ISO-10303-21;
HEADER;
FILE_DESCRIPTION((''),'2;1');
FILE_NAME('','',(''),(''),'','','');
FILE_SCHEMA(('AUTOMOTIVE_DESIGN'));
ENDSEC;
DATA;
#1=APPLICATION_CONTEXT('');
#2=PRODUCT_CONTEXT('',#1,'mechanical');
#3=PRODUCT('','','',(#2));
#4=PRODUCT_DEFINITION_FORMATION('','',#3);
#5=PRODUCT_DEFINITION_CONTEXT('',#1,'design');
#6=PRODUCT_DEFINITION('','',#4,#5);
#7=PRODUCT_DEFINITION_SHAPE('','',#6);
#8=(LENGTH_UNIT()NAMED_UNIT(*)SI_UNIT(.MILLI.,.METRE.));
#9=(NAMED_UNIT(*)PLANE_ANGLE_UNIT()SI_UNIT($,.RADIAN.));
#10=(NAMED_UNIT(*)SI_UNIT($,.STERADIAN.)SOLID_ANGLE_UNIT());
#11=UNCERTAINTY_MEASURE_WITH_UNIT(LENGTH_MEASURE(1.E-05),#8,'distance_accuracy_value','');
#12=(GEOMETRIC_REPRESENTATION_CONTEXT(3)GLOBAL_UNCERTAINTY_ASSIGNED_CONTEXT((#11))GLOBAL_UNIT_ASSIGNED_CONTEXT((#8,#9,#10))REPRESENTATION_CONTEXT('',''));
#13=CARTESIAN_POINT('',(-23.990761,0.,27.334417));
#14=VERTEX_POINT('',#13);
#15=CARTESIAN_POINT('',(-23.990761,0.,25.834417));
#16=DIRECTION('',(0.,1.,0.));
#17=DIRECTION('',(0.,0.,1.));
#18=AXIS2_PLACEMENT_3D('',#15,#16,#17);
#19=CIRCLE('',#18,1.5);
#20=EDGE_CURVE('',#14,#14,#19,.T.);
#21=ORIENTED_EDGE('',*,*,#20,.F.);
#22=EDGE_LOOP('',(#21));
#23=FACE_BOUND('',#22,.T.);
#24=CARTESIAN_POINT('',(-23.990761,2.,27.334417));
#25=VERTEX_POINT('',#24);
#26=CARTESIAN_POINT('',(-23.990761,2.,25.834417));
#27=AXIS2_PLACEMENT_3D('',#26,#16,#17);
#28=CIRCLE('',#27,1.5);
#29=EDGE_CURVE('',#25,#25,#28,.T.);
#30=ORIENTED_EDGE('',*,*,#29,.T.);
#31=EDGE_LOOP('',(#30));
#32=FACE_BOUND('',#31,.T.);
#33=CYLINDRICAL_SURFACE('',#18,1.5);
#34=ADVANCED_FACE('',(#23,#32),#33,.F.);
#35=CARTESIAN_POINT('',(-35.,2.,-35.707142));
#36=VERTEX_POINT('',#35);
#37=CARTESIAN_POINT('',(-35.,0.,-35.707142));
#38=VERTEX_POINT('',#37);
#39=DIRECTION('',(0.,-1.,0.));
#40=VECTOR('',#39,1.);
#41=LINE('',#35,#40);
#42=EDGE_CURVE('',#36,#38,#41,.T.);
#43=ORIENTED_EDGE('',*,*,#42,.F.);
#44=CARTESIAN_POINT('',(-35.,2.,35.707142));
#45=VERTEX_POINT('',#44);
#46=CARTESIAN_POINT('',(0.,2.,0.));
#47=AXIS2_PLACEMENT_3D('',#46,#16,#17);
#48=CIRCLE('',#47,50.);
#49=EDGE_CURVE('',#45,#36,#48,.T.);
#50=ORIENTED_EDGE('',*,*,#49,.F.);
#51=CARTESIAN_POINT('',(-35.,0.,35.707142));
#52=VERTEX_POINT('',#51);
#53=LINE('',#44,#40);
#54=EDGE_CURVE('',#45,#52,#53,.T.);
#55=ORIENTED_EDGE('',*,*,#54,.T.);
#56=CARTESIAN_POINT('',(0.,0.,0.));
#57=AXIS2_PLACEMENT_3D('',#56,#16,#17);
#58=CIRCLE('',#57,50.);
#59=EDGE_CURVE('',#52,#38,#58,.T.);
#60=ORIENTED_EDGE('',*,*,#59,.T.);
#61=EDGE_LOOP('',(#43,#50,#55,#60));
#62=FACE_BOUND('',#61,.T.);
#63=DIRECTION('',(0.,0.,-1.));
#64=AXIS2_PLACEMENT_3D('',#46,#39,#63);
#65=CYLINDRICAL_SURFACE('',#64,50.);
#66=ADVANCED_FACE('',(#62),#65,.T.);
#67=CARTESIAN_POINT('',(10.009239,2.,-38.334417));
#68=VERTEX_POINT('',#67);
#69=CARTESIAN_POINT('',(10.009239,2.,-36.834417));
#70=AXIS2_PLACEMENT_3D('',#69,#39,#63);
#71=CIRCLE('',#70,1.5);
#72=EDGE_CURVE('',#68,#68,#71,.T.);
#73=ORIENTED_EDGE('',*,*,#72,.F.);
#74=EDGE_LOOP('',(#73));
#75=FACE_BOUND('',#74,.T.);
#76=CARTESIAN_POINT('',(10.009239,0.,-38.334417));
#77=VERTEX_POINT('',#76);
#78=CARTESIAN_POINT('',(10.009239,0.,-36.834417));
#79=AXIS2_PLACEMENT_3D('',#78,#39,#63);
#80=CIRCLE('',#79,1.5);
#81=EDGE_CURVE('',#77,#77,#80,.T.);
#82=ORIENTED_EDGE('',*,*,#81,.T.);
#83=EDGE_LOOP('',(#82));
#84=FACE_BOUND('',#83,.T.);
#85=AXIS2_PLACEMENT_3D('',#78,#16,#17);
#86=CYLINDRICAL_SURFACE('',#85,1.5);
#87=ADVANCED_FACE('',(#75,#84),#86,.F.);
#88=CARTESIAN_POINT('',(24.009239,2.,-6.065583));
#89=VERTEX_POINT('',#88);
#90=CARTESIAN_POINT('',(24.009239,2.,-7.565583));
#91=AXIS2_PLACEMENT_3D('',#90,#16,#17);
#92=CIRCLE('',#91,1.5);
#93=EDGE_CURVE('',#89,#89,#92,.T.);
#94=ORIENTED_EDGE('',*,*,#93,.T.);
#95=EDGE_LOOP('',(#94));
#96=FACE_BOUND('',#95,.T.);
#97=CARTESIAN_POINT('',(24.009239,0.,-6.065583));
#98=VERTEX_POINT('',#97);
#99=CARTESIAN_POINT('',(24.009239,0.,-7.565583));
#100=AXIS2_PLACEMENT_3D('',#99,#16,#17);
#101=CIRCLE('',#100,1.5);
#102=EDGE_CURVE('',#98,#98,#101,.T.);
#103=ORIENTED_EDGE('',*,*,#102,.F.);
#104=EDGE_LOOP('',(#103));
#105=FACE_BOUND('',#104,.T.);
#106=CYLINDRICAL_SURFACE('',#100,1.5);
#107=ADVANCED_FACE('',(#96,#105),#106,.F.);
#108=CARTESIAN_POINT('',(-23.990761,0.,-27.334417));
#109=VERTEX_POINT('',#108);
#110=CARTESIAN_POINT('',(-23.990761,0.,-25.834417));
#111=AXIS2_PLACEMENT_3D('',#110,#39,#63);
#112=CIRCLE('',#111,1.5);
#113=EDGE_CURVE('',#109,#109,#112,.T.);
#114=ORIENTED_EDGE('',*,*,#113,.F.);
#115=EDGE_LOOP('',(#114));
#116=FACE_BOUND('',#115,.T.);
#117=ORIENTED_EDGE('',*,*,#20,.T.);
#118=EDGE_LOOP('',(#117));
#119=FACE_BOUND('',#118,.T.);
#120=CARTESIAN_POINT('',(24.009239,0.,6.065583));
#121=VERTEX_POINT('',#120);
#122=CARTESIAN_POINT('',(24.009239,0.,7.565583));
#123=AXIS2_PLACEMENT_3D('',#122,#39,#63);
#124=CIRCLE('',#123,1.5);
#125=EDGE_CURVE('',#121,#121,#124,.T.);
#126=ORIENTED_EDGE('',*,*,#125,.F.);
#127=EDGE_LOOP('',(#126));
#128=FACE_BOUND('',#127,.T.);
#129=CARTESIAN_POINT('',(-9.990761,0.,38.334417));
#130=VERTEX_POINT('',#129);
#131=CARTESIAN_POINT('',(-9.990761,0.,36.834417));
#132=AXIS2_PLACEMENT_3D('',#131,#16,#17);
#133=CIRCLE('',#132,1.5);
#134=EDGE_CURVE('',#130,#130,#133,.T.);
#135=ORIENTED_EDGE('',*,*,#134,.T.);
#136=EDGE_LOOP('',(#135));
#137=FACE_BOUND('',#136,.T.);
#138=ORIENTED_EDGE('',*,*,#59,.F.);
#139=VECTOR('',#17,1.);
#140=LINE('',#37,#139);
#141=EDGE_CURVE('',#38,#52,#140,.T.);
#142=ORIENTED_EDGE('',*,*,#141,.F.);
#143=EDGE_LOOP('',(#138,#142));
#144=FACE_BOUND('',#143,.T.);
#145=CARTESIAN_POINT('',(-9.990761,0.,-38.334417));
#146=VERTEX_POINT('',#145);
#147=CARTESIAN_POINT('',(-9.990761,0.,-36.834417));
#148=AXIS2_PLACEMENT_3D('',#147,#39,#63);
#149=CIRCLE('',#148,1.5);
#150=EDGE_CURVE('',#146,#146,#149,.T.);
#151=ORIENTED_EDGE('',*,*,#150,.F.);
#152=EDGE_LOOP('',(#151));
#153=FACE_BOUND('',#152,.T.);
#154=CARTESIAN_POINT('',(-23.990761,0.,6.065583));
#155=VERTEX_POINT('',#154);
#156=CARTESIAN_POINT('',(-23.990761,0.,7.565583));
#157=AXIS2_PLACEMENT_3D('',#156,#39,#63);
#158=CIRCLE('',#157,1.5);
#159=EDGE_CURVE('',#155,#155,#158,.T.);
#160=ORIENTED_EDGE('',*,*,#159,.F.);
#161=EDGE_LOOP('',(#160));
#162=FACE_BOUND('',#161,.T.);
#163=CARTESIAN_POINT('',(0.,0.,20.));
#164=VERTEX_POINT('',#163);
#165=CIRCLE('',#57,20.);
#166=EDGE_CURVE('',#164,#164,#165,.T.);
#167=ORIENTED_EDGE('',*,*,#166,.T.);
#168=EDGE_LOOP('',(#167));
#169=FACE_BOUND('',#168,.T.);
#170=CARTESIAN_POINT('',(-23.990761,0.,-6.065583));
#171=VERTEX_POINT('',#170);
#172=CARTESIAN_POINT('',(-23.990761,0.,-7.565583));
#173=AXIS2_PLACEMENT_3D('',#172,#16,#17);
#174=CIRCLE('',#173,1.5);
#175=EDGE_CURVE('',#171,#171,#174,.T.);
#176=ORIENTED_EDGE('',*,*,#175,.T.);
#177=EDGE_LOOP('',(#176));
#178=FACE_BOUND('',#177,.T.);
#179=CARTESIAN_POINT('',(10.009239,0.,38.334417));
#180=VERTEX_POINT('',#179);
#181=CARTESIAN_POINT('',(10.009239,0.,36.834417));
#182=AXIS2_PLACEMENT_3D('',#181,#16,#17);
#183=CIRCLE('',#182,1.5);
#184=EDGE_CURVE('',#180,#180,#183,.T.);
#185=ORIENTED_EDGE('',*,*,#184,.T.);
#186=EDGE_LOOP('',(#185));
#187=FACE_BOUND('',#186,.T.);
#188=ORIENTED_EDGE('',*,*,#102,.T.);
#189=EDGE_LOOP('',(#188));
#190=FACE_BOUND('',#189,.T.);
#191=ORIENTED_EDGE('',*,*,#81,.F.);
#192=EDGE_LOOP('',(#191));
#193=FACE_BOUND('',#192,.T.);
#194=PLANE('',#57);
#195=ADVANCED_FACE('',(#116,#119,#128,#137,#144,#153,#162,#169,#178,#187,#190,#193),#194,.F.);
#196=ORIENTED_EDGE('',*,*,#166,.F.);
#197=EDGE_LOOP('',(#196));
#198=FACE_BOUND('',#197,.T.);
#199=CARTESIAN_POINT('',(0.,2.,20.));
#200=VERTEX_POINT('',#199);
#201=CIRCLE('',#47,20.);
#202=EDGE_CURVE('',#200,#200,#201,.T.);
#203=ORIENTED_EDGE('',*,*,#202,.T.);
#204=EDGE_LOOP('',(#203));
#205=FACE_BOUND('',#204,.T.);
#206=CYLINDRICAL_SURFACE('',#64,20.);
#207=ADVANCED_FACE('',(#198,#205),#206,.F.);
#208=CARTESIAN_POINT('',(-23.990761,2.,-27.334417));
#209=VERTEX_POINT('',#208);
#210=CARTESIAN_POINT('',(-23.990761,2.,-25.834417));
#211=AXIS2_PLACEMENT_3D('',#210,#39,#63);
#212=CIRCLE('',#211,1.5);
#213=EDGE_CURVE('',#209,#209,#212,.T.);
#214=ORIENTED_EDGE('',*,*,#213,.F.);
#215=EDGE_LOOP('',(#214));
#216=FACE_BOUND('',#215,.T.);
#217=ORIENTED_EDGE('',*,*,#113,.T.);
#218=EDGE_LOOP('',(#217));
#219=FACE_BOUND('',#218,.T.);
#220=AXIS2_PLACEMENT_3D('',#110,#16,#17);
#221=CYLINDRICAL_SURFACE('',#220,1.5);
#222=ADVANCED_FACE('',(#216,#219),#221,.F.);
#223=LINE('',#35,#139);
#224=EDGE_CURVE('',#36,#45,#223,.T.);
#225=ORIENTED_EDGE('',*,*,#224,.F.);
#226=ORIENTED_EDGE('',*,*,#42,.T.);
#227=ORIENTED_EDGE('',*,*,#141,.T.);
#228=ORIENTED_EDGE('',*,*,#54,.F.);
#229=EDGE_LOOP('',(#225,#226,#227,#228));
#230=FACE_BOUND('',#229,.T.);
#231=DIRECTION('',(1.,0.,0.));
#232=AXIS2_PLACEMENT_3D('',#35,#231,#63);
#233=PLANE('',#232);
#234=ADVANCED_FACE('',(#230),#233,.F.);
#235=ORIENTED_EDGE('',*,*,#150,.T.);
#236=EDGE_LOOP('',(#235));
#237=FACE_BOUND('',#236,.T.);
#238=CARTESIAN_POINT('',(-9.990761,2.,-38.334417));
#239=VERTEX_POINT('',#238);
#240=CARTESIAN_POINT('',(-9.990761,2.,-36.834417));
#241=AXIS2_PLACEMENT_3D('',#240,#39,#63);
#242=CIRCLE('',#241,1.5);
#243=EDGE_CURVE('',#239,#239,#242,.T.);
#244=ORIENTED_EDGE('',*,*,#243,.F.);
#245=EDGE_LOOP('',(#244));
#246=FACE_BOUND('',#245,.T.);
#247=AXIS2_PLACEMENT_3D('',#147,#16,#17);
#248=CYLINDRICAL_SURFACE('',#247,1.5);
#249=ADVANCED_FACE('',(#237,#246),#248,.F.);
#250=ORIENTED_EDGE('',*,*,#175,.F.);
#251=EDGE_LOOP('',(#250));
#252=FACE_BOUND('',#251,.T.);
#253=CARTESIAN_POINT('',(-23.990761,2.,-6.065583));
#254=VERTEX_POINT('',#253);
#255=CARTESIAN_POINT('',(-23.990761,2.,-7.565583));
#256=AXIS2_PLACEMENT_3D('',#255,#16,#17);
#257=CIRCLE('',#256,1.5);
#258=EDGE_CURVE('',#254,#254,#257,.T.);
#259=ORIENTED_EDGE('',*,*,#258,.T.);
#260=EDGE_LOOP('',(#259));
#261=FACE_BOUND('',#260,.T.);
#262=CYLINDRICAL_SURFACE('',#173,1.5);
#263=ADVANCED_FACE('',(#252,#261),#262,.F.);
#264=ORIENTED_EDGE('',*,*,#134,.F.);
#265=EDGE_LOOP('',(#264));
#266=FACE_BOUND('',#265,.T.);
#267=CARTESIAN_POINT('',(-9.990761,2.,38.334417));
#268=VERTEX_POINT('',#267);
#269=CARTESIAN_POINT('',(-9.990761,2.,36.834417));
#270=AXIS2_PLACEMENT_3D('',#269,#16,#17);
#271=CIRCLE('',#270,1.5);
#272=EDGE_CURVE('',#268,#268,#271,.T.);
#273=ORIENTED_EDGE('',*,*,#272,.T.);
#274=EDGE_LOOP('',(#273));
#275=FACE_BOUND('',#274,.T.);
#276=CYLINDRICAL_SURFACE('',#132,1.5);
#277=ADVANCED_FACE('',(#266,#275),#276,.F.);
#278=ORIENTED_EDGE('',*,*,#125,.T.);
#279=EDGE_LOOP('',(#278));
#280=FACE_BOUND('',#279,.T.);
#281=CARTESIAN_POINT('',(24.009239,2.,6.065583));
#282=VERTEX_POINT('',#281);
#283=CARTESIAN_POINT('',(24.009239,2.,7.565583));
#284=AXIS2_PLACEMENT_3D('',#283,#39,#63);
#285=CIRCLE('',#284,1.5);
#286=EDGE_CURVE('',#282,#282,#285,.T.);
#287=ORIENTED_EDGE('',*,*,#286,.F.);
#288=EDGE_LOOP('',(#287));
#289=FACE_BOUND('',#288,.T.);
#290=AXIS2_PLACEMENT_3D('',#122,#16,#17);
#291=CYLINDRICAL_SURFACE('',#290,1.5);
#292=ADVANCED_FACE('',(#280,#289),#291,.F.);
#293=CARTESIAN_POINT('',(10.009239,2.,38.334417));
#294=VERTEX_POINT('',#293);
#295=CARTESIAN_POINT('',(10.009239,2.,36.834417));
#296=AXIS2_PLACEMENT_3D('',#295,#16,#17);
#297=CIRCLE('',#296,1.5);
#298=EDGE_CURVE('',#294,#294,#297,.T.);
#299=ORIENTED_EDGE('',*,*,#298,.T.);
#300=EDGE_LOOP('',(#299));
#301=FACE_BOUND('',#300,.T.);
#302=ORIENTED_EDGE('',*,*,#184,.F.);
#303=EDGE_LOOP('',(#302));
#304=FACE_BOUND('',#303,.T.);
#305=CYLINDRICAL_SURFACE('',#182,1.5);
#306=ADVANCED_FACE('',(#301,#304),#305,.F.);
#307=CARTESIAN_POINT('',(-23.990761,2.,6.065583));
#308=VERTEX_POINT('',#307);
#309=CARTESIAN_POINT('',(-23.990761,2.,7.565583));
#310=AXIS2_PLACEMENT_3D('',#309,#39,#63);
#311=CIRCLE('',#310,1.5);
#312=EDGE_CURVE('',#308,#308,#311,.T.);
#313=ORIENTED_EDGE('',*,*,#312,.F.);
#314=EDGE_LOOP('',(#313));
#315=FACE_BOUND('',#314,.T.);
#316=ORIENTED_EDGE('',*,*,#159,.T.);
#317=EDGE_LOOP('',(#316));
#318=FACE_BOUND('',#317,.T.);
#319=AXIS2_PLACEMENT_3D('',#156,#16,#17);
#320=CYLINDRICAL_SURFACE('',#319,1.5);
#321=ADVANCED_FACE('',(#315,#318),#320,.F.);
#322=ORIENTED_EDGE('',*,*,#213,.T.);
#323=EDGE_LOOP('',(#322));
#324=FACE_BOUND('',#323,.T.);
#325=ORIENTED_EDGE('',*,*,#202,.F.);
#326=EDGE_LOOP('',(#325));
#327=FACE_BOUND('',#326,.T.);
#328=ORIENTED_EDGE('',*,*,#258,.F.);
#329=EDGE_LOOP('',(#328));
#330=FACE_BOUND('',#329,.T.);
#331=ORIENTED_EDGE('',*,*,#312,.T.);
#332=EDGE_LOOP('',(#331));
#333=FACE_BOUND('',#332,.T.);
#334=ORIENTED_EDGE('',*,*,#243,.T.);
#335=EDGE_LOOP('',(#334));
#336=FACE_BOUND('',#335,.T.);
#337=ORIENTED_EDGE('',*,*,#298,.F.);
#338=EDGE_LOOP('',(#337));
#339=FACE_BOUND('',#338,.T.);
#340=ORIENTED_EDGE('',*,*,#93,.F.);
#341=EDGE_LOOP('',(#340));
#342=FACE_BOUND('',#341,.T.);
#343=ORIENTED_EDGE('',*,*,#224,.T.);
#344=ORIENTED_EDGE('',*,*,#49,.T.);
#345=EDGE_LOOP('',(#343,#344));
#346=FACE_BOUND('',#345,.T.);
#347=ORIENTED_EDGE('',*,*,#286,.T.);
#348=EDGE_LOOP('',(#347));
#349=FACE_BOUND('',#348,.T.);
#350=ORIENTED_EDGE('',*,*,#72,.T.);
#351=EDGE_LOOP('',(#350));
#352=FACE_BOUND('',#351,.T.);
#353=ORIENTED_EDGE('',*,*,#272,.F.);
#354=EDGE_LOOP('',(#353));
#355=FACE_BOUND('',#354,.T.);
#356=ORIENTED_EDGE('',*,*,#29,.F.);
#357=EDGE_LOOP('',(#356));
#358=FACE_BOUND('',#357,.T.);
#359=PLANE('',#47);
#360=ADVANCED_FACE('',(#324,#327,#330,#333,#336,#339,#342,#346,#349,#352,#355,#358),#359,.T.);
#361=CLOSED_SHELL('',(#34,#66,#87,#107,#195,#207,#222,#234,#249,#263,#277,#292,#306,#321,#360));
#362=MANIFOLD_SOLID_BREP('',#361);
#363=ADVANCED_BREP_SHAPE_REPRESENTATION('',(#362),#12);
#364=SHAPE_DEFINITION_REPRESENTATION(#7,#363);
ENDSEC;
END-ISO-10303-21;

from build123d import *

# Parameters (mm, degrees)
SKETCH1_R           = 20
BOSS_EXTRUDE1_DEPTH = 2
SKETCH2_R           = 1.5
SKETCH2_R_2         = 1
CUT_EXTRUDE1_DEPTH  = 2


with BuildPart() as part:
    # Sketch1 → Boss-Extrude1 (new body)
    with BuildSketch(Plane(origin=(0, 0, 0), x_dir=(1, 0, 0), z_dir=(0, 1, 0))):
        with BuildLine():
            Line((-35, 35.707142143), (-35, -35.707142143))
            ThreePointArc((-35, -35.707142143), (50, 0), (-35, 35.707142143))
        make_face()
        Circle(SKETCH1_R, mode=Mode.SUBTRACT)
    extrude(amount=BOSS_EXTRUDE1_DEPTH)

    # Sketch2 → Cut-Extrude1 (cut)
    with BuildSketch(Plane(origin=(0, 2, 0), x_dir=(1, 0, 0), z_dir=(0, 1, 0))):
        with Locations((-23.99076058, 7.565582695)):
            Circle(SKETCH2_R)
        with Locations((24.00923942, 7.565582695)):
            Circle(SKETCH2_R)
        with Locations((-23.99076058, -25.834417305)):
            Circle(SKETCH2_R)
        with Locations((-9.99076058, -36.834417305)):
            Circle(SKETCH2_R)
        with Locations((10.00923942, -36.834417305)):
            Circle(SKETCH2_R)
        with Locations((0.00923942, 0.065582695)):
            Circle(SKETCH2_R_2)
    cut_extrude1 = extrude(amount=-CUT_EXTRUDE1_DEPTH, mode=Mode.SUBTRACT)

    # Mirror1: Cut-Extrude1 across plane
    add(cut_extrude1.mirror(Plane.XY), mode=Mode.SUBTRACT)


solid = part.part
